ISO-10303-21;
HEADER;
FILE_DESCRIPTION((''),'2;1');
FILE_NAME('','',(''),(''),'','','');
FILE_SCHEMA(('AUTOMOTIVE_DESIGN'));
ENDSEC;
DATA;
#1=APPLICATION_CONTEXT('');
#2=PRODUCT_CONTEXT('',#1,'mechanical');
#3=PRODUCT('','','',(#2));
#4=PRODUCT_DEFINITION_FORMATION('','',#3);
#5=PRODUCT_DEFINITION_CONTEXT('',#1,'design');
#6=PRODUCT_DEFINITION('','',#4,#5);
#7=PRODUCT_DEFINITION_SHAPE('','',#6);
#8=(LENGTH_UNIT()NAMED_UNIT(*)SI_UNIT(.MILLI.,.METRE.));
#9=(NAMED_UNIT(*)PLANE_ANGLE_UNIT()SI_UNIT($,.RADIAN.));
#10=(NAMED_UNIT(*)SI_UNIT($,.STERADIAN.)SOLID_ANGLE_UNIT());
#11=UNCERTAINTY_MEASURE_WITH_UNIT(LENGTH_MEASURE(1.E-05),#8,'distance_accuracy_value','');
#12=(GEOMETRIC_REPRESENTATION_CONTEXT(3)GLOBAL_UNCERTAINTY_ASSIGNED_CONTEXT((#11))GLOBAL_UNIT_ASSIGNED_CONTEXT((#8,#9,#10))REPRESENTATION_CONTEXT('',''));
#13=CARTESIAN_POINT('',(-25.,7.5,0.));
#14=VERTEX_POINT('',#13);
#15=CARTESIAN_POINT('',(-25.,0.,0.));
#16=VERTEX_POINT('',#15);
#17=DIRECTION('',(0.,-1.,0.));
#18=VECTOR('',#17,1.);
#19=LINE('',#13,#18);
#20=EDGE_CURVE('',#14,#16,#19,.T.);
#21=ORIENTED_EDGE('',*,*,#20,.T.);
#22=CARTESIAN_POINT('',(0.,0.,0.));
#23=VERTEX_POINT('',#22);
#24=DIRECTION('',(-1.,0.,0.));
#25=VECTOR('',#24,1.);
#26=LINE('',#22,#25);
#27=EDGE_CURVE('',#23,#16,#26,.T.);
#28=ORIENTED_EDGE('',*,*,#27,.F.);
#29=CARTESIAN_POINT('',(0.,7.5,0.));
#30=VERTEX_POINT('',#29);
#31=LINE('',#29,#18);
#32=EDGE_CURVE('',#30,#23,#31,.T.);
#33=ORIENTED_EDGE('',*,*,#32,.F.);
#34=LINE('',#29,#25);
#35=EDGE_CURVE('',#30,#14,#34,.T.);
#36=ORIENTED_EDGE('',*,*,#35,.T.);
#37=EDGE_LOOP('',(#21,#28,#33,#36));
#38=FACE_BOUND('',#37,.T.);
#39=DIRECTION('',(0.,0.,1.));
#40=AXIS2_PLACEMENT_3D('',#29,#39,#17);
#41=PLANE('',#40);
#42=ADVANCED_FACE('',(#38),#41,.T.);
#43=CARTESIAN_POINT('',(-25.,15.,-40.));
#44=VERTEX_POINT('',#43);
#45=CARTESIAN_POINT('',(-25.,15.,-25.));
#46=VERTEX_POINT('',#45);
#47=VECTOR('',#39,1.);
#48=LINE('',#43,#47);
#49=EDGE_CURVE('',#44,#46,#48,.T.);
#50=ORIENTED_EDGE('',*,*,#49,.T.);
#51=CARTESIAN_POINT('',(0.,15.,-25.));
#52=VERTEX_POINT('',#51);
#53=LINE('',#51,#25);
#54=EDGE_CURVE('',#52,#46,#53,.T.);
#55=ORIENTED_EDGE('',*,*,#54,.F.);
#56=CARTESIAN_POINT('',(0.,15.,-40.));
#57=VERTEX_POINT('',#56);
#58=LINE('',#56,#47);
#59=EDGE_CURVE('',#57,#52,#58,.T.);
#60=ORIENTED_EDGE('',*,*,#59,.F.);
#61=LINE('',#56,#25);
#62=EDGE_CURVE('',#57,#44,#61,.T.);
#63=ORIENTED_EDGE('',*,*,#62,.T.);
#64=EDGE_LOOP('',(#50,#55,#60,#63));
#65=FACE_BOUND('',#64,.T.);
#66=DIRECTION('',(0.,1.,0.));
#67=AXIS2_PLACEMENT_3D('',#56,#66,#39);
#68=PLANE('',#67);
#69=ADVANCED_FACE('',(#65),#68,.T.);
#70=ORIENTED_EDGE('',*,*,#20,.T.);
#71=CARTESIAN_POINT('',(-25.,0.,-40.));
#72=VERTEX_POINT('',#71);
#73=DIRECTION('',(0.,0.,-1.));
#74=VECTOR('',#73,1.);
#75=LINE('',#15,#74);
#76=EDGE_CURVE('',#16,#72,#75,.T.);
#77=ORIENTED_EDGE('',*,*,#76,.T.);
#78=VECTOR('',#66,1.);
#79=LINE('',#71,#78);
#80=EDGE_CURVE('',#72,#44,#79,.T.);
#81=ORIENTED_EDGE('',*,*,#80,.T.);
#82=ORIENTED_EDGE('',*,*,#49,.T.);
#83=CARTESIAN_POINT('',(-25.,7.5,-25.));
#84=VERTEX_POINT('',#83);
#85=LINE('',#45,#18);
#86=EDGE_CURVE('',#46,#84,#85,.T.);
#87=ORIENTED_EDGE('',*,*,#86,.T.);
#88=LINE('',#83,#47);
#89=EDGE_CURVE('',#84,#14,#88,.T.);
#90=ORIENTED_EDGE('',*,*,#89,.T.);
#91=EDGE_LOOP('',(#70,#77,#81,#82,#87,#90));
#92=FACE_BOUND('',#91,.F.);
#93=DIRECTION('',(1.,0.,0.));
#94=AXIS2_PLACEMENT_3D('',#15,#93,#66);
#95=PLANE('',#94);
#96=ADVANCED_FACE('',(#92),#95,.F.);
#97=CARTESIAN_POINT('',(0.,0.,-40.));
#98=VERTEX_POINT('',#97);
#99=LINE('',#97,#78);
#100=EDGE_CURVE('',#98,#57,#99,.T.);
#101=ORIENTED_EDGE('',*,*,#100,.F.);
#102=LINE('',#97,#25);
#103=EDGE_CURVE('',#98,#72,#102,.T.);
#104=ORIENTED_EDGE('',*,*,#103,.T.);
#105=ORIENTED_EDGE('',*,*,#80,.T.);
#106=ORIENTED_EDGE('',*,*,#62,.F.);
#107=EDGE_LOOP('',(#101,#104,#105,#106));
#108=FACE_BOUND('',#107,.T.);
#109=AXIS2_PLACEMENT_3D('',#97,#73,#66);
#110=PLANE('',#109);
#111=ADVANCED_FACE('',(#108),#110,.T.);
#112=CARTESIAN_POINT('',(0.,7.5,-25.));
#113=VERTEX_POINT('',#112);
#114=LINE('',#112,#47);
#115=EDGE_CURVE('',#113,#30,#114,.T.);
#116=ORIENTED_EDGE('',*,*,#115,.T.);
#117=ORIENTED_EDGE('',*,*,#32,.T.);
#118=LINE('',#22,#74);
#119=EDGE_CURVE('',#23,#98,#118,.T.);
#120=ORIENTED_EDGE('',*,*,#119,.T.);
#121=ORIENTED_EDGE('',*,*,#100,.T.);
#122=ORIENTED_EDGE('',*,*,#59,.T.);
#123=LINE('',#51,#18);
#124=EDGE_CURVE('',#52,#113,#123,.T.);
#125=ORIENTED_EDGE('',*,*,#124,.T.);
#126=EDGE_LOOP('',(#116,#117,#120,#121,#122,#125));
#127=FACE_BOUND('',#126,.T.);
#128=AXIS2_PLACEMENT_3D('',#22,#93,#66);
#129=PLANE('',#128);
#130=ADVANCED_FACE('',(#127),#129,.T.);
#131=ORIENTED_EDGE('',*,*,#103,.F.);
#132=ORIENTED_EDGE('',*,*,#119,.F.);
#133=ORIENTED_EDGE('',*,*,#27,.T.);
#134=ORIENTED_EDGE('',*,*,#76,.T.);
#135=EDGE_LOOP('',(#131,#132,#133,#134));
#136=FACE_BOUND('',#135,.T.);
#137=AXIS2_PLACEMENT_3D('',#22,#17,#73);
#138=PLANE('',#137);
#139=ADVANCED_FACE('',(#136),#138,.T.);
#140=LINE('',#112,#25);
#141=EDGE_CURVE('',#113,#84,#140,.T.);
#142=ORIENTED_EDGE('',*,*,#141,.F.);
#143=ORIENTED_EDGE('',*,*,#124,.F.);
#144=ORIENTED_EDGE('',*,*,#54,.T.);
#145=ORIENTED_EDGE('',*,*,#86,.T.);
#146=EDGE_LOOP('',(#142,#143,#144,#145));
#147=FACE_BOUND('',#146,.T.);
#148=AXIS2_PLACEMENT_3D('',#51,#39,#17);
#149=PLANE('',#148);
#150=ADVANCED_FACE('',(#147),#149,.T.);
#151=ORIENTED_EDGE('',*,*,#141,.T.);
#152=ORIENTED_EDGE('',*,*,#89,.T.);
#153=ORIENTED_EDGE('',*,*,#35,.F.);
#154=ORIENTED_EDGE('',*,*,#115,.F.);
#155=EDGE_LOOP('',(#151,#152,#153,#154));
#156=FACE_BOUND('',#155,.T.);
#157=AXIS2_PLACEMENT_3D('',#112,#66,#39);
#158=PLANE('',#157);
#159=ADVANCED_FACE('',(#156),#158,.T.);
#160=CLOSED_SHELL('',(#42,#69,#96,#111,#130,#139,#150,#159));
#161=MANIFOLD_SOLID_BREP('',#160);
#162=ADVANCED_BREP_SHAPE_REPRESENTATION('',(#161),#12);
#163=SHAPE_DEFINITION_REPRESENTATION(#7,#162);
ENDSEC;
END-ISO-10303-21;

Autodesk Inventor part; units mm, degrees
ref_plane "YZ Plane" through (0, 0, 0) normal (1, 0, 0) x (0, 1, 0)
ref_plane "XZ Plane" through (0, 0, 0) normal (0, 1, 0) x (-1, 0, 0)
ref_plane "XY Plane" through (0, 0, 0) normal (0, 0, 1) x (1, 0, 0)
sketch "Sketch1" plane through (0, 0, 0) normal (1, 0, 0) x (0, 1, 0)
  line L0 (0, 0) -> (0, -40)
  line L1 (0, -40) -> (15, -40)
  line L2 (15, -40) -> (15, -25)
  line L3 (15, -25) -> (7.5, -25)
  line L4 (7.5, -25) -> (7.5, 0)
  line L5 (7.5, 0) -> (0, 0)
  dimension "d0" = 15
  dimension "d1" = 15
  dimension "d2" = 7.5
  dimension "d3" = 40
extrude "Extrusion1" add sketch "Sketch1" against normal blind 25
